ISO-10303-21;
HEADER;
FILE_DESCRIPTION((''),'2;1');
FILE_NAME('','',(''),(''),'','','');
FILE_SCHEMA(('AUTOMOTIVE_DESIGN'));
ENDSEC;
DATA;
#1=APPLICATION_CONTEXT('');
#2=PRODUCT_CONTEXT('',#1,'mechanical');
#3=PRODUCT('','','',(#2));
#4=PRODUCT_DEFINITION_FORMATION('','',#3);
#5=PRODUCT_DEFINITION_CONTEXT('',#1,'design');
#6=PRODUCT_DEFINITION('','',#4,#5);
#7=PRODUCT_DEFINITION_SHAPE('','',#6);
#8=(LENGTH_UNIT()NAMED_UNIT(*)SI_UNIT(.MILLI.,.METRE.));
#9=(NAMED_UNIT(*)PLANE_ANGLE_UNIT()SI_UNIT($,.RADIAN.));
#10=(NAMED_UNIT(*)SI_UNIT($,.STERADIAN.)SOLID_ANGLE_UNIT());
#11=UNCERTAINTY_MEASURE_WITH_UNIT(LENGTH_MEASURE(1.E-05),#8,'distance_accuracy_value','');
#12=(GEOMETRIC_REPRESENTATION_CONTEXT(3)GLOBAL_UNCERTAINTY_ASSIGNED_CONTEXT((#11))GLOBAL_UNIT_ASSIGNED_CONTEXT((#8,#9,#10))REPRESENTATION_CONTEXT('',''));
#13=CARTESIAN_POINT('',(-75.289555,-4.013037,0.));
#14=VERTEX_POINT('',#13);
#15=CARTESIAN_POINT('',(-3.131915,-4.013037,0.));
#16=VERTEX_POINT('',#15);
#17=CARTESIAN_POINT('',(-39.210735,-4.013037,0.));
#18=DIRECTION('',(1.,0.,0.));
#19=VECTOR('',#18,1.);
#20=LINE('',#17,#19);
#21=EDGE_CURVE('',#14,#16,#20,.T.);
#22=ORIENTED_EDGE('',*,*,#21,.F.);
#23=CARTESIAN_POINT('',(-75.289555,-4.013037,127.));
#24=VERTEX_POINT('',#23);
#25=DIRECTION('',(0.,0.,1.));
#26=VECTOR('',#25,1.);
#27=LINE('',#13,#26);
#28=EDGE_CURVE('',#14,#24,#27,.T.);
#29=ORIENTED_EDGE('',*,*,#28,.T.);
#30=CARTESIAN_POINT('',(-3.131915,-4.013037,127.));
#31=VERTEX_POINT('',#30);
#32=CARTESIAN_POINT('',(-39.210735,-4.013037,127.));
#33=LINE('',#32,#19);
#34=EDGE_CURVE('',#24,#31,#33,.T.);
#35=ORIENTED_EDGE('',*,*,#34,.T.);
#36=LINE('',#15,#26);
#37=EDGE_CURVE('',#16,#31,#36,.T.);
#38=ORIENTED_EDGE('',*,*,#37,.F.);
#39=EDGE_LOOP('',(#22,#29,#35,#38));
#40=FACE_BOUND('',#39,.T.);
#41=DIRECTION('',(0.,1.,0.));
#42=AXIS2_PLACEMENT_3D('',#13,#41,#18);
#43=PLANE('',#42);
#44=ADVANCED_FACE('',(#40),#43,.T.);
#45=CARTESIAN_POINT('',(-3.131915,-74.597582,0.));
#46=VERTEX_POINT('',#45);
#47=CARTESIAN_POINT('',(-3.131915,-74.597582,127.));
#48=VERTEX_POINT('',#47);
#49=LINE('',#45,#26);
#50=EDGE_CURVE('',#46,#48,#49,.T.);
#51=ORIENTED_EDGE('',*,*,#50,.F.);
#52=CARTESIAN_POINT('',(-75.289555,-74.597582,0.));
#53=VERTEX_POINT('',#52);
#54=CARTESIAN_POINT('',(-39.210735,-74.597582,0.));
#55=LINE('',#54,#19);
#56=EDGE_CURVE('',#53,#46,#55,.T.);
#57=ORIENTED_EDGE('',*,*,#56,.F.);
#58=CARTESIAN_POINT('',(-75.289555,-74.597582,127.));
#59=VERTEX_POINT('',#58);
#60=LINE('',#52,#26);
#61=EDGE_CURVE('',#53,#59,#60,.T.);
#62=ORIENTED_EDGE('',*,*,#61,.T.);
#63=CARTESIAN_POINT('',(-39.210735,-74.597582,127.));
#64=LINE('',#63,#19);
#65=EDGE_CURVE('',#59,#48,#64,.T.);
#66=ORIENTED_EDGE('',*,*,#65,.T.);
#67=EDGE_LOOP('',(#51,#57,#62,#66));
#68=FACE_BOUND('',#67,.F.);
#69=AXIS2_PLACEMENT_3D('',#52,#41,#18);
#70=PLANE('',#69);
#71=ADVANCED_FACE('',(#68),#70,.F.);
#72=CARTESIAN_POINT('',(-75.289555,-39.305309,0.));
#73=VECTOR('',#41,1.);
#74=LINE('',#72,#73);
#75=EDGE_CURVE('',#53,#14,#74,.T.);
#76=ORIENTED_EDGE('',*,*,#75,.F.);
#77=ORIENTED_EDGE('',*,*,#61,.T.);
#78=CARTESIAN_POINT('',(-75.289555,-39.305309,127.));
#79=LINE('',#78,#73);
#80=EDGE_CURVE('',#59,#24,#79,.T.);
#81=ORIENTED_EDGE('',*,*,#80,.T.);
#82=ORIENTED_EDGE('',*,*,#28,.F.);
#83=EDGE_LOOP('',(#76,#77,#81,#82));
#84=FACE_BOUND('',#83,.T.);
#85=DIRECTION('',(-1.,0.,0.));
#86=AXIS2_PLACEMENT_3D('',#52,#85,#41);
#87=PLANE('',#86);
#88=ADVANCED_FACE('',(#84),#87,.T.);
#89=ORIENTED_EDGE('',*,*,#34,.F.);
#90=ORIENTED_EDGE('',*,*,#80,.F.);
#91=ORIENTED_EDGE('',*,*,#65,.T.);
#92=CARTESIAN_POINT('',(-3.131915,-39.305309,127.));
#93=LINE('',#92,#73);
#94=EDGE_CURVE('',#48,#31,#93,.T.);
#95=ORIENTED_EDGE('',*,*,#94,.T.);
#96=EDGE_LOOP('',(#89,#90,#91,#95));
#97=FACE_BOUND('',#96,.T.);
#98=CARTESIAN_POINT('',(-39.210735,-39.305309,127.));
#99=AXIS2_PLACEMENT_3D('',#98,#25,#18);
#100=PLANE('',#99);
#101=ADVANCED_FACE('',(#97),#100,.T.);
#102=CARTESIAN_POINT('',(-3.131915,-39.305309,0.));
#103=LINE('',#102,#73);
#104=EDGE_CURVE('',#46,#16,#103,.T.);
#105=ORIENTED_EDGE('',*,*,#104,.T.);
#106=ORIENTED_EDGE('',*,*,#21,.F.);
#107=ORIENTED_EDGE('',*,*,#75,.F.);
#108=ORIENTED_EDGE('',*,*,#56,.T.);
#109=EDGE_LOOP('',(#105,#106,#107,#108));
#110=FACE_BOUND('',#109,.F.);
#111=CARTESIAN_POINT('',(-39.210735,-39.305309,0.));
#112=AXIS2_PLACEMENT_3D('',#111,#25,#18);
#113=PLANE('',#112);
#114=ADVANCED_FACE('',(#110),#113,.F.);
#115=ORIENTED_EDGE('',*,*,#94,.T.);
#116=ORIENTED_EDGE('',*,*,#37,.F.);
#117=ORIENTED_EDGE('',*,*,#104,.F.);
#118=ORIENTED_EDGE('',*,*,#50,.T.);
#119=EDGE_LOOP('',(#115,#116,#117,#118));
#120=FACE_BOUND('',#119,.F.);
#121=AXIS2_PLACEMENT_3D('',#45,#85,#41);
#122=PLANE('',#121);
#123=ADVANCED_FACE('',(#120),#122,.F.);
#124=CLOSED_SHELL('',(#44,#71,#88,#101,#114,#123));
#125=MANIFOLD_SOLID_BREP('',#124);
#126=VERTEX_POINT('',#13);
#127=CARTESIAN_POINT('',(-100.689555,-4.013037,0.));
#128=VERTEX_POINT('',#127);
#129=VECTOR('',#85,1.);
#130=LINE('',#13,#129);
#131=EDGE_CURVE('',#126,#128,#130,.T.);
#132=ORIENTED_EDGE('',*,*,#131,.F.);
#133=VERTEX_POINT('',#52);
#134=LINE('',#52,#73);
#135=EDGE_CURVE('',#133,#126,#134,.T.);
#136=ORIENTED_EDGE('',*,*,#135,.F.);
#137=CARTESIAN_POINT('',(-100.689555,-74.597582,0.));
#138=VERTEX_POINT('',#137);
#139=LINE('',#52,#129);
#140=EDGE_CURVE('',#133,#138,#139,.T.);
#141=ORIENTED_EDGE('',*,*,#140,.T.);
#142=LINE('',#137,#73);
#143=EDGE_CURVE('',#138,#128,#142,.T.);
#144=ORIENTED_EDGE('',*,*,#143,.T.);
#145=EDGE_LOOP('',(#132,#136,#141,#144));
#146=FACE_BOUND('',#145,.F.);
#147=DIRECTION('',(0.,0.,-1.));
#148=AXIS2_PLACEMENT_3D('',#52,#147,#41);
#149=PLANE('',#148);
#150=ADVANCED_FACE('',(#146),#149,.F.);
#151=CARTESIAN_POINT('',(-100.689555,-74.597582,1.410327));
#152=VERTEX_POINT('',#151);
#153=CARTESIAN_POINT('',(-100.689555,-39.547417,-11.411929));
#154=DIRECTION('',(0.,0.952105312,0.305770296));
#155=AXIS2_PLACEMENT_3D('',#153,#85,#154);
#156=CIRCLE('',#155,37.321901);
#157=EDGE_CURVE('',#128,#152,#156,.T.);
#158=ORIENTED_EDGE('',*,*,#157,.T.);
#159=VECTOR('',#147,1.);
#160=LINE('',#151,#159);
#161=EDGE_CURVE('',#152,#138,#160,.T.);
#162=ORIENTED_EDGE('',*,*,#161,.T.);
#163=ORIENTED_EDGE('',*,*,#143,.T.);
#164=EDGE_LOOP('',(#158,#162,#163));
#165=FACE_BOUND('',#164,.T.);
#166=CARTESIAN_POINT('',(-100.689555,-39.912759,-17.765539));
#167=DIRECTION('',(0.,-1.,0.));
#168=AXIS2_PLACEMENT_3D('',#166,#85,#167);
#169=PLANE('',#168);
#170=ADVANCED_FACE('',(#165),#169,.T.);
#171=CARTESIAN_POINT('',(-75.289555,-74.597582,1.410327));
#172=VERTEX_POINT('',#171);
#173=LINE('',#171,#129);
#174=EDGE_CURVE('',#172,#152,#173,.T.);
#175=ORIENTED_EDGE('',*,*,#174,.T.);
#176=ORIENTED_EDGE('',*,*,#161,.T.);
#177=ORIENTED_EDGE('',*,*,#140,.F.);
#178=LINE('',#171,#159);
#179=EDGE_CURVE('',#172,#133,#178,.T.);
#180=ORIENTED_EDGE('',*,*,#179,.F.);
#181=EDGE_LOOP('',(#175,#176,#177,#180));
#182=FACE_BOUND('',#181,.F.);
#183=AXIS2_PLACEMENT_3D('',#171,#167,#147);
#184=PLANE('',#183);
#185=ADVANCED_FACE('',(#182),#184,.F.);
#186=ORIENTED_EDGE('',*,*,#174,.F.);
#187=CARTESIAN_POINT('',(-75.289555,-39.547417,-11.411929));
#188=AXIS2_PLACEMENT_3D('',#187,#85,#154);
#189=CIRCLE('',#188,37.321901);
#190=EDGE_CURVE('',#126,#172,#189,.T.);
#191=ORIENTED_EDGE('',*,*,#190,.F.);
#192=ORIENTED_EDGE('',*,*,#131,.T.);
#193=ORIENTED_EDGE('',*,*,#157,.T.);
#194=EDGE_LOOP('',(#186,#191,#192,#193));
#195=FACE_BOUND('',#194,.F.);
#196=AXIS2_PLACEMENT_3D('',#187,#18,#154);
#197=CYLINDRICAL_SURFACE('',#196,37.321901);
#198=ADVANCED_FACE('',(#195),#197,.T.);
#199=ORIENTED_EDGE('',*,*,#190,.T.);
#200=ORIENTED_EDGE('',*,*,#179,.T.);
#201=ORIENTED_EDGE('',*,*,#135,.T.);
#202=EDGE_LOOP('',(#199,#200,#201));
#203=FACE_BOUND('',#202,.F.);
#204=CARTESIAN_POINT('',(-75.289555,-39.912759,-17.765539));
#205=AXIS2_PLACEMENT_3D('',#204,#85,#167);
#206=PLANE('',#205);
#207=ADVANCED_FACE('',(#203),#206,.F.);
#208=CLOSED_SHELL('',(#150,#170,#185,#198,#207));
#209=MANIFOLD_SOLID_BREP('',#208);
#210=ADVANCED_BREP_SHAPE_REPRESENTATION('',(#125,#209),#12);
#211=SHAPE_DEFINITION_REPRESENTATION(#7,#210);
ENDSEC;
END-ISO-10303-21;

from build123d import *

# Parameters (mm, degrees)
F0_W     = 72.15764
F0_H     = 70.584545
F1_DEPTH = 127
F3_DEPTH = 25.4


with BuildPart() as f1:
    # F0 (on Top) → F1 (new body)
    with BuildSketch(Plane.XY):
        with Locations((-39.210735, -39.305309)):
            Rectangle(F0_W, F0_H)
    extrude(amount=F1_DEPTH)


with BuildPart() as f3:
    # F2 (on face) → F3 (new body)
    with BuildSketch(Plane(origin=(-75.289555, 0, 0), x_dir=(0, -1, 0), z_dir=(-1, 0, 0))):
        with BuildLine():
            Line((74.597582, 0), (4.013037, 0))
            ThreePointArc((4.013037, 0), (40.292985, -48.726382), (74.597582, 1.410327))
            Line((74.597582, 1.410327), (74.597582, 0))
        make_face()
    extrude(amount=F3_DEPTH)


solid = Compound([f1.part, f3.part])
